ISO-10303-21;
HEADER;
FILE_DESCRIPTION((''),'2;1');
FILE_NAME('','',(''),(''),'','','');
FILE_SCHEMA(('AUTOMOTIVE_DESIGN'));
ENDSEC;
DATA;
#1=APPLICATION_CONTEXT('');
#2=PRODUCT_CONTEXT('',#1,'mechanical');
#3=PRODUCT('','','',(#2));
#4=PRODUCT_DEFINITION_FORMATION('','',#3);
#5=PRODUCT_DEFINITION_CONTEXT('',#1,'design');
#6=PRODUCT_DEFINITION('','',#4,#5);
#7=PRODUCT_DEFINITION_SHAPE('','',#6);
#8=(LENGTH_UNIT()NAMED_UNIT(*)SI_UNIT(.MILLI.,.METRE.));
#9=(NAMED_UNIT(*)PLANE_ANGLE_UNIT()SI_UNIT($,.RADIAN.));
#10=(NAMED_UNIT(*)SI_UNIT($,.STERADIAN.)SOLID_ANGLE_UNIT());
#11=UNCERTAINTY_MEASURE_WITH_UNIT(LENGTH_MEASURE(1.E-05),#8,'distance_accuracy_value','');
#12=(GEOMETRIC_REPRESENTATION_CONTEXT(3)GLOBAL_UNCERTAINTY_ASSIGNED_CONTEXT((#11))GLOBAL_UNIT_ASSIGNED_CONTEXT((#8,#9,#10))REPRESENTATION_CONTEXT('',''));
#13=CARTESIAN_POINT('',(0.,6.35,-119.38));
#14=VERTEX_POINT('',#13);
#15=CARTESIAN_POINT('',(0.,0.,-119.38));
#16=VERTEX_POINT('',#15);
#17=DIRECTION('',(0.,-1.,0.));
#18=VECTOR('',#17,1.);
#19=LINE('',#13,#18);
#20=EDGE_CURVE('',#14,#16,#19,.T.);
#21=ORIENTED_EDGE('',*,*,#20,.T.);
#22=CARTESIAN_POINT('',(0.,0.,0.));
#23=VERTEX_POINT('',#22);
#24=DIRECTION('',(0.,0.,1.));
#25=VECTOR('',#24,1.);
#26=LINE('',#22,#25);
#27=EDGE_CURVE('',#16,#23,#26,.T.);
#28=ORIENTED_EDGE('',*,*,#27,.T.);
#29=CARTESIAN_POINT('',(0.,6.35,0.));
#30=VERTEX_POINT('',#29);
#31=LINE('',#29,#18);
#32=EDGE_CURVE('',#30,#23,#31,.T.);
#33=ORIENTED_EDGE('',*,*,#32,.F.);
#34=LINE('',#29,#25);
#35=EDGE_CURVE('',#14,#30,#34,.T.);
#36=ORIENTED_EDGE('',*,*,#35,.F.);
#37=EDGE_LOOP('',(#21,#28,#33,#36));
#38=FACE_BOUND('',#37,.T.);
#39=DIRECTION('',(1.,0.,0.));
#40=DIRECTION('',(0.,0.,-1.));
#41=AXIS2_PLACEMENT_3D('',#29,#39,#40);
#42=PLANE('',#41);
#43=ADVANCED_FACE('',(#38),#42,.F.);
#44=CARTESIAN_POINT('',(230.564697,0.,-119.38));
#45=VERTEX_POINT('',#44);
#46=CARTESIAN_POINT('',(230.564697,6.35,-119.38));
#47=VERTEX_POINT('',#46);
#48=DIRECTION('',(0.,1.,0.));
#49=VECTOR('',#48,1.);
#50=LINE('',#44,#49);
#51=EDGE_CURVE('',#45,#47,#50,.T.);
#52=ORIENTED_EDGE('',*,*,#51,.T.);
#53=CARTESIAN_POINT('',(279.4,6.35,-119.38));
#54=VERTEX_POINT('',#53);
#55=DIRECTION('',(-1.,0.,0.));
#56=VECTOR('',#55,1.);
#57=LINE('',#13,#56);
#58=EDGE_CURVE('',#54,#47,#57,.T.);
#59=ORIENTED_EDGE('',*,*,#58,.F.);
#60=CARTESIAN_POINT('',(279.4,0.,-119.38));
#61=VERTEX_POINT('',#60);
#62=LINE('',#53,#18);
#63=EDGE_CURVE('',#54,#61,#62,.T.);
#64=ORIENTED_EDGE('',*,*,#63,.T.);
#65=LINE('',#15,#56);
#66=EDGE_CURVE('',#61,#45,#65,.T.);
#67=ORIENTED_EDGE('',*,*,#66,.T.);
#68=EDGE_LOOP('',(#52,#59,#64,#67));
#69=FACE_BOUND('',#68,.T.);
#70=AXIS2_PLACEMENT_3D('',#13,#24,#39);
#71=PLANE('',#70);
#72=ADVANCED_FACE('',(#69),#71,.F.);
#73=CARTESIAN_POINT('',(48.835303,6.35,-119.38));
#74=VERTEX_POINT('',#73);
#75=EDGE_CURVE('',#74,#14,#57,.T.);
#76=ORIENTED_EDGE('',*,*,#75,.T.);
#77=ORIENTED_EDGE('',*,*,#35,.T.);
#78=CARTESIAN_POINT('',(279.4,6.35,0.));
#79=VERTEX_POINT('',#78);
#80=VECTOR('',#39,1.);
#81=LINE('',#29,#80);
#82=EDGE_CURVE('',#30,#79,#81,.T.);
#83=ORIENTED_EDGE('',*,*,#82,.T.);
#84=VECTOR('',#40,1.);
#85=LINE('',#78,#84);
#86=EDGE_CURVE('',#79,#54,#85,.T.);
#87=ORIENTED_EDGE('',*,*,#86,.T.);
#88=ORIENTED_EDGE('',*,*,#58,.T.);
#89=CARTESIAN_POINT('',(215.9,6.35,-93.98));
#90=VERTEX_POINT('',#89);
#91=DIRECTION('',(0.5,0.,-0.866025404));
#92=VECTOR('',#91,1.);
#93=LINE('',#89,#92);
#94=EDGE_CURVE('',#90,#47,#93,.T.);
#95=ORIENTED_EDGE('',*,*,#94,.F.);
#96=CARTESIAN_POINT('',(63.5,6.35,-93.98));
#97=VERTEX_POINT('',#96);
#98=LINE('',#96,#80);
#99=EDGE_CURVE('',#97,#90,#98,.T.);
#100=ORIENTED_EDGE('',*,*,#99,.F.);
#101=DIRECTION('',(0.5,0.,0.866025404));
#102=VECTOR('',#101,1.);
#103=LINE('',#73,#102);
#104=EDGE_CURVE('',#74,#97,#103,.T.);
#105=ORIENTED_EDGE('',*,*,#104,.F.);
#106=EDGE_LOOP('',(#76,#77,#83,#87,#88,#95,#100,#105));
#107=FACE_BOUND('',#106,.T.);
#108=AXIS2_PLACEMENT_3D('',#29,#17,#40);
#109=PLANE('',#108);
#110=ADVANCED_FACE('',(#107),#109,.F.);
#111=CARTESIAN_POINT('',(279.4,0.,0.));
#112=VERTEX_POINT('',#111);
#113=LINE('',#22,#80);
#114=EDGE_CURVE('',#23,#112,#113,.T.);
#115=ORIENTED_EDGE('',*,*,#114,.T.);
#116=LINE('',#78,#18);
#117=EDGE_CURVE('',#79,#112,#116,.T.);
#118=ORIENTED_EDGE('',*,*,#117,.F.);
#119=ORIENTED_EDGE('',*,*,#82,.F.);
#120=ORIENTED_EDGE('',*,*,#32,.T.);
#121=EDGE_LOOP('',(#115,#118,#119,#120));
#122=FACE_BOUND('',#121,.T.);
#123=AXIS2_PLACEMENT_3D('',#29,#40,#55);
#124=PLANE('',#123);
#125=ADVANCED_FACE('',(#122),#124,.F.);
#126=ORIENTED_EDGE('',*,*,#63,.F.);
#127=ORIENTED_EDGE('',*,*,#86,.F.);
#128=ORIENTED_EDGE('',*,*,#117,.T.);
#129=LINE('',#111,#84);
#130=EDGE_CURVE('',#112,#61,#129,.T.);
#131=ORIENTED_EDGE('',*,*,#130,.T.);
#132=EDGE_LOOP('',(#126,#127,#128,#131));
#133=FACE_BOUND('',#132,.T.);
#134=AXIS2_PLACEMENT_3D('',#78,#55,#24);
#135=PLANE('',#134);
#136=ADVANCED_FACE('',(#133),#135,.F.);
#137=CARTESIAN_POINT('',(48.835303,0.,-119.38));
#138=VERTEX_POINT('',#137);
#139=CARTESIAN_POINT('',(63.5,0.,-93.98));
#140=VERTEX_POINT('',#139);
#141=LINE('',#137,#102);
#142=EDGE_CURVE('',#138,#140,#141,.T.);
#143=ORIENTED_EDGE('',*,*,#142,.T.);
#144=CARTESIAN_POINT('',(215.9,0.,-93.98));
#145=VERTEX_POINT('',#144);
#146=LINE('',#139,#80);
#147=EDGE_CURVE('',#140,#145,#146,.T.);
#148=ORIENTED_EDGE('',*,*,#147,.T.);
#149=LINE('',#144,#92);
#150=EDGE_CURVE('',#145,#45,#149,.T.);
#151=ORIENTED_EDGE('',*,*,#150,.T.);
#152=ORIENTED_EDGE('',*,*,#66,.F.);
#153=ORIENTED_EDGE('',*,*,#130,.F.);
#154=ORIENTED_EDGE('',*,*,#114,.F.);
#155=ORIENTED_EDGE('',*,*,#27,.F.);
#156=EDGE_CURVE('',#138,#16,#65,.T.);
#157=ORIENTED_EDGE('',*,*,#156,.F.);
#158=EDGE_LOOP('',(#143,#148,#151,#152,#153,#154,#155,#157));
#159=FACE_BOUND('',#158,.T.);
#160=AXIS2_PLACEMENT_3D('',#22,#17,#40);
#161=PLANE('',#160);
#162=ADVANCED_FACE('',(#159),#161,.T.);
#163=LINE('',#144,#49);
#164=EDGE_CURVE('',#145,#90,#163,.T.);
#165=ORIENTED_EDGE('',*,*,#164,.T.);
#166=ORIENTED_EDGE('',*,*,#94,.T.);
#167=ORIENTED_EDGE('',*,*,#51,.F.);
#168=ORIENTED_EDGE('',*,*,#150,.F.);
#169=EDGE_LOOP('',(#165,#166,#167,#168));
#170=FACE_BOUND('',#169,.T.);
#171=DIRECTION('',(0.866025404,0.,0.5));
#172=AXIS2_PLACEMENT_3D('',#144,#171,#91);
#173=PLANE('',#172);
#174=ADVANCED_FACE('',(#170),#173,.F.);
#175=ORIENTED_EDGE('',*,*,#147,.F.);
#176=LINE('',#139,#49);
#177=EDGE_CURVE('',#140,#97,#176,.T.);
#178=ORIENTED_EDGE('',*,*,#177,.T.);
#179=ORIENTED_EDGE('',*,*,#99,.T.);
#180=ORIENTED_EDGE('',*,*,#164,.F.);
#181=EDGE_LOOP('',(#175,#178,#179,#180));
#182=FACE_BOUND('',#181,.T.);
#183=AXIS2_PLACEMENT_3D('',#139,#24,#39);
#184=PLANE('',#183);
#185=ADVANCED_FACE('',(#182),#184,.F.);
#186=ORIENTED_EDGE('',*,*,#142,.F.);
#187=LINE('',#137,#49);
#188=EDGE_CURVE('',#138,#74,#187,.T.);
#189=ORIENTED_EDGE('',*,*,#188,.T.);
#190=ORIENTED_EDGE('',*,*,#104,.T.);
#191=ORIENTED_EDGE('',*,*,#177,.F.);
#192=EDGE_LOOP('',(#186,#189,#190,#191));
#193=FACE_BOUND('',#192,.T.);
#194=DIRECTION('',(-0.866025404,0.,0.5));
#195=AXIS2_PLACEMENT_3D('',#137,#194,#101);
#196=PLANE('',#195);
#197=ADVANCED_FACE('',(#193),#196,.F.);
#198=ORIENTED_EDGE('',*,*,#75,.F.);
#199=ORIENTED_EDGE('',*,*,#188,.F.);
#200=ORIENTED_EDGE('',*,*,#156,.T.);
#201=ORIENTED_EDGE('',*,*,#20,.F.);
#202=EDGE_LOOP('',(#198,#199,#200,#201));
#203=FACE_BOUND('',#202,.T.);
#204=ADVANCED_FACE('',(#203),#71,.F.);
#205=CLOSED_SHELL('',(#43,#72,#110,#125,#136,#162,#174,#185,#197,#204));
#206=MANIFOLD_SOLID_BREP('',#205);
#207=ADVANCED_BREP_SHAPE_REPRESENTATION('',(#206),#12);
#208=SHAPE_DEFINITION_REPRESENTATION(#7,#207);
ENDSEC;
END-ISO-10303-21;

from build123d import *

# Parameters (mm, degrees)
SKETCH1_W           = 279.4
SKETCH1_H           = 119.38
BOSS_EXTRUDE1_DEPTH = 6.35
CUT_EXTRUDE1_DEPTH  = 304.901738889


with BuildPart() as part:
    # Sketch1 → Boss-Extrude1 (new body)
    with BuildSketch(Plane(origin=(0, 0, 0), x_dir=(1, 0, 0), z_dir=(0, 1, 0))):
        with Locations((139.7, 59.69)):
            Rectangle(SKETCH1_W, SKETCH1_H)
    extrude(amount=BOSS_EXTRUDE1_DEPTH)

    # Sketch2 → Cut-Extrude1 (cut, through all)
    with BuildSketch(Plane(origin=(0, 6.35, 0), x_dir=(1, 0, 0), z_dir=(0, 1, 0))):
        Polygon((48.835303163, 119.38), (63.5, 93.98), (215.9, 93.98), (230.564696837, 119.38), align=None)
    extrude(amount=-CUT_EXTRUDE1_DEPTH, mode=Mode.SUBTRACT)


solid = part.part
